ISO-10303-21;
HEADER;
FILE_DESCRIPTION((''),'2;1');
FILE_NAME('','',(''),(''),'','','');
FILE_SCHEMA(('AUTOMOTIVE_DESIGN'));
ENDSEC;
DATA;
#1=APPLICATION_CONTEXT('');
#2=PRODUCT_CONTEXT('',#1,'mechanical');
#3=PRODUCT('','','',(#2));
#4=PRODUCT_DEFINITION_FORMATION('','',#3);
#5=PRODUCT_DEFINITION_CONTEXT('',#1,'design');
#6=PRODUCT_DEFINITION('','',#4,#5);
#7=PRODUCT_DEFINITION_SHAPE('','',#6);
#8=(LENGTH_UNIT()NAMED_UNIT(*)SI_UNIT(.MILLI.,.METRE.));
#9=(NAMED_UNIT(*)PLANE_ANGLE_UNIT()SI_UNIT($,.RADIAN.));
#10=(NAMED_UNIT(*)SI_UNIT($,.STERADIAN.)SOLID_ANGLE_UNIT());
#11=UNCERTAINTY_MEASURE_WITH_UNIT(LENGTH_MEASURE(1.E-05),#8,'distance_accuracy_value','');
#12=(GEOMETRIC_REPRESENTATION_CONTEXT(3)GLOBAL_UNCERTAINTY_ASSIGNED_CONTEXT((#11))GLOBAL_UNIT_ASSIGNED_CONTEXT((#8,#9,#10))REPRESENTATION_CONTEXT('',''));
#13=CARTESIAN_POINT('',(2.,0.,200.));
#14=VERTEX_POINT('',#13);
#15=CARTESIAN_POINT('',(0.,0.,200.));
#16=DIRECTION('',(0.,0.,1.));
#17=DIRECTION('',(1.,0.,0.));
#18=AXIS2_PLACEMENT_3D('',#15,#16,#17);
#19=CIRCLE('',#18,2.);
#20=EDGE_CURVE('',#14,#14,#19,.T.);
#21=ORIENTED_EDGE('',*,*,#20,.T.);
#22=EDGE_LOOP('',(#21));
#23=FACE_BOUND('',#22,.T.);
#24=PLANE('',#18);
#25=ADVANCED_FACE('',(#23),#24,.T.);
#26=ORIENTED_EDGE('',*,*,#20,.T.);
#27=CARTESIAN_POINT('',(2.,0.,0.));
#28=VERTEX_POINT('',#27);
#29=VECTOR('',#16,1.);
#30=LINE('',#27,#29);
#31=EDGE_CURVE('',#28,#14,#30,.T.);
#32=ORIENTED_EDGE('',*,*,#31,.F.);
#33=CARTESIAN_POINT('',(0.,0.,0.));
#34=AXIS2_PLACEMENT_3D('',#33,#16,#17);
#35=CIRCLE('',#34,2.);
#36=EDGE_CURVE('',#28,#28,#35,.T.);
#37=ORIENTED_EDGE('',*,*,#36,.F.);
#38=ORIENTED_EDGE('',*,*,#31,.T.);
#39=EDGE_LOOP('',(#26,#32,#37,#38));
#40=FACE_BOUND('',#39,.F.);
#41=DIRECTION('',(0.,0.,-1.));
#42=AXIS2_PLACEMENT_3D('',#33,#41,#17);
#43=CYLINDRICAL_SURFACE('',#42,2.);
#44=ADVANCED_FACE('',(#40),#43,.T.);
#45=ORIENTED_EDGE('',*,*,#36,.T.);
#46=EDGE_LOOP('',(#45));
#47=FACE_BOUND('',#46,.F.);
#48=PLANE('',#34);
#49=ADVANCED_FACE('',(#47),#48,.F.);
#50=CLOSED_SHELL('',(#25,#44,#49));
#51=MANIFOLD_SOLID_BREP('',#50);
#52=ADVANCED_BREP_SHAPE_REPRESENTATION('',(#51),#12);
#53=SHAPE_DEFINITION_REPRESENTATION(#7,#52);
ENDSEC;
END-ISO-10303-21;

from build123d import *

# Parameters (mm, degrees)
SKETCH_2_R      = 2
EXTRUDE_1_DEPTH = 200


with BuildPart() as part:
    # 草图2 → 凸台-拉伸1 (new body)
    with BuildSketch(Plane.XY):
        Circle(SKETCH_2_R)
    extrude(amount=EXTRUDE_1_DEPTH)


solid = part.part
